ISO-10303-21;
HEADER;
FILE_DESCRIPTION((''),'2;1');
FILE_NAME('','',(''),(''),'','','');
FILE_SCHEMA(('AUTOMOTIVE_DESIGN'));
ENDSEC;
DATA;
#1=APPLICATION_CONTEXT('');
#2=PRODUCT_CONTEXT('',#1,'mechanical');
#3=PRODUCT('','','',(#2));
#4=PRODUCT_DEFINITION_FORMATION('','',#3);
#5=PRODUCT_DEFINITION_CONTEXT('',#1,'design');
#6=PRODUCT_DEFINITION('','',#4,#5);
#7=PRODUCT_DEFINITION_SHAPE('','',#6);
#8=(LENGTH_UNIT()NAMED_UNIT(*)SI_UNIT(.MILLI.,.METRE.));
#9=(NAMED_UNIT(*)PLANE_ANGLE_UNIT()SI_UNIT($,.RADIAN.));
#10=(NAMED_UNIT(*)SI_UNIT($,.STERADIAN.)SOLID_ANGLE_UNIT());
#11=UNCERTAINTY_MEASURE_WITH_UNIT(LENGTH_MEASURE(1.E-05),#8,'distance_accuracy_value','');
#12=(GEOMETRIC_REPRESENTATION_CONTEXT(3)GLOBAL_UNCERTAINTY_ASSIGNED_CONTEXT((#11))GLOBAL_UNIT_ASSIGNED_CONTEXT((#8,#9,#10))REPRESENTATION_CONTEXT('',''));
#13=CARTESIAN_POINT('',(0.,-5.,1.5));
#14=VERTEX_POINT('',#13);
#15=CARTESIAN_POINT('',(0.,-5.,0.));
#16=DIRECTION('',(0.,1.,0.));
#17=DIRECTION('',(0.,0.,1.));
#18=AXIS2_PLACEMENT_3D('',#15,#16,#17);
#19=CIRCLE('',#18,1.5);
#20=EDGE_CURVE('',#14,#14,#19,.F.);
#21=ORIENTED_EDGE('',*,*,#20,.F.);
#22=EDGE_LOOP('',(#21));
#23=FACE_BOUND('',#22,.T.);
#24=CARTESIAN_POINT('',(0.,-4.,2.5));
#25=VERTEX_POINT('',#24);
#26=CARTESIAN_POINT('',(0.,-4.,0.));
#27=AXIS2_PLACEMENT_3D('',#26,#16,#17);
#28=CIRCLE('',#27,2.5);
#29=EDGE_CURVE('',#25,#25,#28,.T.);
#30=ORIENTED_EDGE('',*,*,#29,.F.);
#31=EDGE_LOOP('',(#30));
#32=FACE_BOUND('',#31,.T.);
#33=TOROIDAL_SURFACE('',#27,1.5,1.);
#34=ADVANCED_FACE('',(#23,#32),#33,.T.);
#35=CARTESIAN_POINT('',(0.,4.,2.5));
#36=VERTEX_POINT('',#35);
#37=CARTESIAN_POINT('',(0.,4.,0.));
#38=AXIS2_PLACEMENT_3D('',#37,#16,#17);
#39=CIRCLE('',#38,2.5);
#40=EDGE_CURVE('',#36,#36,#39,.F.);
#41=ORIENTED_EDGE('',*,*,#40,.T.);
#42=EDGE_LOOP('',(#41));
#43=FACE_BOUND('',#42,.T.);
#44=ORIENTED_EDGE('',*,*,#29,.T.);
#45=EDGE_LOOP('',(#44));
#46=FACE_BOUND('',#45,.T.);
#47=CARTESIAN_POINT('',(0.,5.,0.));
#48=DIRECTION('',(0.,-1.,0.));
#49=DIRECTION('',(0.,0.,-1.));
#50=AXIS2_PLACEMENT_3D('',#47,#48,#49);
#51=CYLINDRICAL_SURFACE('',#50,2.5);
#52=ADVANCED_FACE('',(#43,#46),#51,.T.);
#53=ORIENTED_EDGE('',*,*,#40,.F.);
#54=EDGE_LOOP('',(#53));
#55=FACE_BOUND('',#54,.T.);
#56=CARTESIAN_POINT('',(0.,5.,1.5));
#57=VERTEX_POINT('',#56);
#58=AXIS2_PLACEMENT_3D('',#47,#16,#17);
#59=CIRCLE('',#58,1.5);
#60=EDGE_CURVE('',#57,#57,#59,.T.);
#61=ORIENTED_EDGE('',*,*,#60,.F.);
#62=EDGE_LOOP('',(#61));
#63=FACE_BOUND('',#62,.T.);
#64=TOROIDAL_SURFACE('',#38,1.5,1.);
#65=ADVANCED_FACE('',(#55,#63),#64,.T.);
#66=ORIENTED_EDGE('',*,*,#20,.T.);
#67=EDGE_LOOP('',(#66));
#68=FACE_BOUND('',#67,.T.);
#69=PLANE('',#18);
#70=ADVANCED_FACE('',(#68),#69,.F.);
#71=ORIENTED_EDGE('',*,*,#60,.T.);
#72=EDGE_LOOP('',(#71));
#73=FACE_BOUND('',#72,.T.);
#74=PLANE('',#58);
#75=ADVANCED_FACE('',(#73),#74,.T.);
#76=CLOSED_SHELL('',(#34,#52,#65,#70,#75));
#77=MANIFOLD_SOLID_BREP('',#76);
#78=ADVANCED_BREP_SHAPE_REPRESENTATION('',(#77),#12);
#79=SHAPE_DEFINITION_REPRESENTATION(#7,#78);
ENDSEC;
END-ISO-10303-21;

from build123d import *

# Parameters (mm, degrees)
CROQUIS1_R              = 2.5
SALIENTE_EXTRUIR2_DEPTH = 5
REDONDEO2_R             = 1


with BuildPart() as part:
    # Croquis1 → Saliente-Extruir2 (new, symmetric)
    with BuildSketch(Plane(origin=(0, 0, 0), x_dir=(1, 0, 0), z_dir=(0, 1, 0))):
        with Locations(Location((0, 0, 0), (0, 0, 270))):
            Circle(CROQUIS1_R)
    extrude(amount=SALIENTE_EXTRUIR2_DEPTH, both=True)

    # Redondeo2
    redondeo2_edges = [part.edges().sort_by_distance(p)[0] for p in [
        (0, -5, -2.5),
        (0, 5, -2.5),
    ]]
    fillet(redondeo2_edges, radius=REDONDEO2_R)


solid = part.part
